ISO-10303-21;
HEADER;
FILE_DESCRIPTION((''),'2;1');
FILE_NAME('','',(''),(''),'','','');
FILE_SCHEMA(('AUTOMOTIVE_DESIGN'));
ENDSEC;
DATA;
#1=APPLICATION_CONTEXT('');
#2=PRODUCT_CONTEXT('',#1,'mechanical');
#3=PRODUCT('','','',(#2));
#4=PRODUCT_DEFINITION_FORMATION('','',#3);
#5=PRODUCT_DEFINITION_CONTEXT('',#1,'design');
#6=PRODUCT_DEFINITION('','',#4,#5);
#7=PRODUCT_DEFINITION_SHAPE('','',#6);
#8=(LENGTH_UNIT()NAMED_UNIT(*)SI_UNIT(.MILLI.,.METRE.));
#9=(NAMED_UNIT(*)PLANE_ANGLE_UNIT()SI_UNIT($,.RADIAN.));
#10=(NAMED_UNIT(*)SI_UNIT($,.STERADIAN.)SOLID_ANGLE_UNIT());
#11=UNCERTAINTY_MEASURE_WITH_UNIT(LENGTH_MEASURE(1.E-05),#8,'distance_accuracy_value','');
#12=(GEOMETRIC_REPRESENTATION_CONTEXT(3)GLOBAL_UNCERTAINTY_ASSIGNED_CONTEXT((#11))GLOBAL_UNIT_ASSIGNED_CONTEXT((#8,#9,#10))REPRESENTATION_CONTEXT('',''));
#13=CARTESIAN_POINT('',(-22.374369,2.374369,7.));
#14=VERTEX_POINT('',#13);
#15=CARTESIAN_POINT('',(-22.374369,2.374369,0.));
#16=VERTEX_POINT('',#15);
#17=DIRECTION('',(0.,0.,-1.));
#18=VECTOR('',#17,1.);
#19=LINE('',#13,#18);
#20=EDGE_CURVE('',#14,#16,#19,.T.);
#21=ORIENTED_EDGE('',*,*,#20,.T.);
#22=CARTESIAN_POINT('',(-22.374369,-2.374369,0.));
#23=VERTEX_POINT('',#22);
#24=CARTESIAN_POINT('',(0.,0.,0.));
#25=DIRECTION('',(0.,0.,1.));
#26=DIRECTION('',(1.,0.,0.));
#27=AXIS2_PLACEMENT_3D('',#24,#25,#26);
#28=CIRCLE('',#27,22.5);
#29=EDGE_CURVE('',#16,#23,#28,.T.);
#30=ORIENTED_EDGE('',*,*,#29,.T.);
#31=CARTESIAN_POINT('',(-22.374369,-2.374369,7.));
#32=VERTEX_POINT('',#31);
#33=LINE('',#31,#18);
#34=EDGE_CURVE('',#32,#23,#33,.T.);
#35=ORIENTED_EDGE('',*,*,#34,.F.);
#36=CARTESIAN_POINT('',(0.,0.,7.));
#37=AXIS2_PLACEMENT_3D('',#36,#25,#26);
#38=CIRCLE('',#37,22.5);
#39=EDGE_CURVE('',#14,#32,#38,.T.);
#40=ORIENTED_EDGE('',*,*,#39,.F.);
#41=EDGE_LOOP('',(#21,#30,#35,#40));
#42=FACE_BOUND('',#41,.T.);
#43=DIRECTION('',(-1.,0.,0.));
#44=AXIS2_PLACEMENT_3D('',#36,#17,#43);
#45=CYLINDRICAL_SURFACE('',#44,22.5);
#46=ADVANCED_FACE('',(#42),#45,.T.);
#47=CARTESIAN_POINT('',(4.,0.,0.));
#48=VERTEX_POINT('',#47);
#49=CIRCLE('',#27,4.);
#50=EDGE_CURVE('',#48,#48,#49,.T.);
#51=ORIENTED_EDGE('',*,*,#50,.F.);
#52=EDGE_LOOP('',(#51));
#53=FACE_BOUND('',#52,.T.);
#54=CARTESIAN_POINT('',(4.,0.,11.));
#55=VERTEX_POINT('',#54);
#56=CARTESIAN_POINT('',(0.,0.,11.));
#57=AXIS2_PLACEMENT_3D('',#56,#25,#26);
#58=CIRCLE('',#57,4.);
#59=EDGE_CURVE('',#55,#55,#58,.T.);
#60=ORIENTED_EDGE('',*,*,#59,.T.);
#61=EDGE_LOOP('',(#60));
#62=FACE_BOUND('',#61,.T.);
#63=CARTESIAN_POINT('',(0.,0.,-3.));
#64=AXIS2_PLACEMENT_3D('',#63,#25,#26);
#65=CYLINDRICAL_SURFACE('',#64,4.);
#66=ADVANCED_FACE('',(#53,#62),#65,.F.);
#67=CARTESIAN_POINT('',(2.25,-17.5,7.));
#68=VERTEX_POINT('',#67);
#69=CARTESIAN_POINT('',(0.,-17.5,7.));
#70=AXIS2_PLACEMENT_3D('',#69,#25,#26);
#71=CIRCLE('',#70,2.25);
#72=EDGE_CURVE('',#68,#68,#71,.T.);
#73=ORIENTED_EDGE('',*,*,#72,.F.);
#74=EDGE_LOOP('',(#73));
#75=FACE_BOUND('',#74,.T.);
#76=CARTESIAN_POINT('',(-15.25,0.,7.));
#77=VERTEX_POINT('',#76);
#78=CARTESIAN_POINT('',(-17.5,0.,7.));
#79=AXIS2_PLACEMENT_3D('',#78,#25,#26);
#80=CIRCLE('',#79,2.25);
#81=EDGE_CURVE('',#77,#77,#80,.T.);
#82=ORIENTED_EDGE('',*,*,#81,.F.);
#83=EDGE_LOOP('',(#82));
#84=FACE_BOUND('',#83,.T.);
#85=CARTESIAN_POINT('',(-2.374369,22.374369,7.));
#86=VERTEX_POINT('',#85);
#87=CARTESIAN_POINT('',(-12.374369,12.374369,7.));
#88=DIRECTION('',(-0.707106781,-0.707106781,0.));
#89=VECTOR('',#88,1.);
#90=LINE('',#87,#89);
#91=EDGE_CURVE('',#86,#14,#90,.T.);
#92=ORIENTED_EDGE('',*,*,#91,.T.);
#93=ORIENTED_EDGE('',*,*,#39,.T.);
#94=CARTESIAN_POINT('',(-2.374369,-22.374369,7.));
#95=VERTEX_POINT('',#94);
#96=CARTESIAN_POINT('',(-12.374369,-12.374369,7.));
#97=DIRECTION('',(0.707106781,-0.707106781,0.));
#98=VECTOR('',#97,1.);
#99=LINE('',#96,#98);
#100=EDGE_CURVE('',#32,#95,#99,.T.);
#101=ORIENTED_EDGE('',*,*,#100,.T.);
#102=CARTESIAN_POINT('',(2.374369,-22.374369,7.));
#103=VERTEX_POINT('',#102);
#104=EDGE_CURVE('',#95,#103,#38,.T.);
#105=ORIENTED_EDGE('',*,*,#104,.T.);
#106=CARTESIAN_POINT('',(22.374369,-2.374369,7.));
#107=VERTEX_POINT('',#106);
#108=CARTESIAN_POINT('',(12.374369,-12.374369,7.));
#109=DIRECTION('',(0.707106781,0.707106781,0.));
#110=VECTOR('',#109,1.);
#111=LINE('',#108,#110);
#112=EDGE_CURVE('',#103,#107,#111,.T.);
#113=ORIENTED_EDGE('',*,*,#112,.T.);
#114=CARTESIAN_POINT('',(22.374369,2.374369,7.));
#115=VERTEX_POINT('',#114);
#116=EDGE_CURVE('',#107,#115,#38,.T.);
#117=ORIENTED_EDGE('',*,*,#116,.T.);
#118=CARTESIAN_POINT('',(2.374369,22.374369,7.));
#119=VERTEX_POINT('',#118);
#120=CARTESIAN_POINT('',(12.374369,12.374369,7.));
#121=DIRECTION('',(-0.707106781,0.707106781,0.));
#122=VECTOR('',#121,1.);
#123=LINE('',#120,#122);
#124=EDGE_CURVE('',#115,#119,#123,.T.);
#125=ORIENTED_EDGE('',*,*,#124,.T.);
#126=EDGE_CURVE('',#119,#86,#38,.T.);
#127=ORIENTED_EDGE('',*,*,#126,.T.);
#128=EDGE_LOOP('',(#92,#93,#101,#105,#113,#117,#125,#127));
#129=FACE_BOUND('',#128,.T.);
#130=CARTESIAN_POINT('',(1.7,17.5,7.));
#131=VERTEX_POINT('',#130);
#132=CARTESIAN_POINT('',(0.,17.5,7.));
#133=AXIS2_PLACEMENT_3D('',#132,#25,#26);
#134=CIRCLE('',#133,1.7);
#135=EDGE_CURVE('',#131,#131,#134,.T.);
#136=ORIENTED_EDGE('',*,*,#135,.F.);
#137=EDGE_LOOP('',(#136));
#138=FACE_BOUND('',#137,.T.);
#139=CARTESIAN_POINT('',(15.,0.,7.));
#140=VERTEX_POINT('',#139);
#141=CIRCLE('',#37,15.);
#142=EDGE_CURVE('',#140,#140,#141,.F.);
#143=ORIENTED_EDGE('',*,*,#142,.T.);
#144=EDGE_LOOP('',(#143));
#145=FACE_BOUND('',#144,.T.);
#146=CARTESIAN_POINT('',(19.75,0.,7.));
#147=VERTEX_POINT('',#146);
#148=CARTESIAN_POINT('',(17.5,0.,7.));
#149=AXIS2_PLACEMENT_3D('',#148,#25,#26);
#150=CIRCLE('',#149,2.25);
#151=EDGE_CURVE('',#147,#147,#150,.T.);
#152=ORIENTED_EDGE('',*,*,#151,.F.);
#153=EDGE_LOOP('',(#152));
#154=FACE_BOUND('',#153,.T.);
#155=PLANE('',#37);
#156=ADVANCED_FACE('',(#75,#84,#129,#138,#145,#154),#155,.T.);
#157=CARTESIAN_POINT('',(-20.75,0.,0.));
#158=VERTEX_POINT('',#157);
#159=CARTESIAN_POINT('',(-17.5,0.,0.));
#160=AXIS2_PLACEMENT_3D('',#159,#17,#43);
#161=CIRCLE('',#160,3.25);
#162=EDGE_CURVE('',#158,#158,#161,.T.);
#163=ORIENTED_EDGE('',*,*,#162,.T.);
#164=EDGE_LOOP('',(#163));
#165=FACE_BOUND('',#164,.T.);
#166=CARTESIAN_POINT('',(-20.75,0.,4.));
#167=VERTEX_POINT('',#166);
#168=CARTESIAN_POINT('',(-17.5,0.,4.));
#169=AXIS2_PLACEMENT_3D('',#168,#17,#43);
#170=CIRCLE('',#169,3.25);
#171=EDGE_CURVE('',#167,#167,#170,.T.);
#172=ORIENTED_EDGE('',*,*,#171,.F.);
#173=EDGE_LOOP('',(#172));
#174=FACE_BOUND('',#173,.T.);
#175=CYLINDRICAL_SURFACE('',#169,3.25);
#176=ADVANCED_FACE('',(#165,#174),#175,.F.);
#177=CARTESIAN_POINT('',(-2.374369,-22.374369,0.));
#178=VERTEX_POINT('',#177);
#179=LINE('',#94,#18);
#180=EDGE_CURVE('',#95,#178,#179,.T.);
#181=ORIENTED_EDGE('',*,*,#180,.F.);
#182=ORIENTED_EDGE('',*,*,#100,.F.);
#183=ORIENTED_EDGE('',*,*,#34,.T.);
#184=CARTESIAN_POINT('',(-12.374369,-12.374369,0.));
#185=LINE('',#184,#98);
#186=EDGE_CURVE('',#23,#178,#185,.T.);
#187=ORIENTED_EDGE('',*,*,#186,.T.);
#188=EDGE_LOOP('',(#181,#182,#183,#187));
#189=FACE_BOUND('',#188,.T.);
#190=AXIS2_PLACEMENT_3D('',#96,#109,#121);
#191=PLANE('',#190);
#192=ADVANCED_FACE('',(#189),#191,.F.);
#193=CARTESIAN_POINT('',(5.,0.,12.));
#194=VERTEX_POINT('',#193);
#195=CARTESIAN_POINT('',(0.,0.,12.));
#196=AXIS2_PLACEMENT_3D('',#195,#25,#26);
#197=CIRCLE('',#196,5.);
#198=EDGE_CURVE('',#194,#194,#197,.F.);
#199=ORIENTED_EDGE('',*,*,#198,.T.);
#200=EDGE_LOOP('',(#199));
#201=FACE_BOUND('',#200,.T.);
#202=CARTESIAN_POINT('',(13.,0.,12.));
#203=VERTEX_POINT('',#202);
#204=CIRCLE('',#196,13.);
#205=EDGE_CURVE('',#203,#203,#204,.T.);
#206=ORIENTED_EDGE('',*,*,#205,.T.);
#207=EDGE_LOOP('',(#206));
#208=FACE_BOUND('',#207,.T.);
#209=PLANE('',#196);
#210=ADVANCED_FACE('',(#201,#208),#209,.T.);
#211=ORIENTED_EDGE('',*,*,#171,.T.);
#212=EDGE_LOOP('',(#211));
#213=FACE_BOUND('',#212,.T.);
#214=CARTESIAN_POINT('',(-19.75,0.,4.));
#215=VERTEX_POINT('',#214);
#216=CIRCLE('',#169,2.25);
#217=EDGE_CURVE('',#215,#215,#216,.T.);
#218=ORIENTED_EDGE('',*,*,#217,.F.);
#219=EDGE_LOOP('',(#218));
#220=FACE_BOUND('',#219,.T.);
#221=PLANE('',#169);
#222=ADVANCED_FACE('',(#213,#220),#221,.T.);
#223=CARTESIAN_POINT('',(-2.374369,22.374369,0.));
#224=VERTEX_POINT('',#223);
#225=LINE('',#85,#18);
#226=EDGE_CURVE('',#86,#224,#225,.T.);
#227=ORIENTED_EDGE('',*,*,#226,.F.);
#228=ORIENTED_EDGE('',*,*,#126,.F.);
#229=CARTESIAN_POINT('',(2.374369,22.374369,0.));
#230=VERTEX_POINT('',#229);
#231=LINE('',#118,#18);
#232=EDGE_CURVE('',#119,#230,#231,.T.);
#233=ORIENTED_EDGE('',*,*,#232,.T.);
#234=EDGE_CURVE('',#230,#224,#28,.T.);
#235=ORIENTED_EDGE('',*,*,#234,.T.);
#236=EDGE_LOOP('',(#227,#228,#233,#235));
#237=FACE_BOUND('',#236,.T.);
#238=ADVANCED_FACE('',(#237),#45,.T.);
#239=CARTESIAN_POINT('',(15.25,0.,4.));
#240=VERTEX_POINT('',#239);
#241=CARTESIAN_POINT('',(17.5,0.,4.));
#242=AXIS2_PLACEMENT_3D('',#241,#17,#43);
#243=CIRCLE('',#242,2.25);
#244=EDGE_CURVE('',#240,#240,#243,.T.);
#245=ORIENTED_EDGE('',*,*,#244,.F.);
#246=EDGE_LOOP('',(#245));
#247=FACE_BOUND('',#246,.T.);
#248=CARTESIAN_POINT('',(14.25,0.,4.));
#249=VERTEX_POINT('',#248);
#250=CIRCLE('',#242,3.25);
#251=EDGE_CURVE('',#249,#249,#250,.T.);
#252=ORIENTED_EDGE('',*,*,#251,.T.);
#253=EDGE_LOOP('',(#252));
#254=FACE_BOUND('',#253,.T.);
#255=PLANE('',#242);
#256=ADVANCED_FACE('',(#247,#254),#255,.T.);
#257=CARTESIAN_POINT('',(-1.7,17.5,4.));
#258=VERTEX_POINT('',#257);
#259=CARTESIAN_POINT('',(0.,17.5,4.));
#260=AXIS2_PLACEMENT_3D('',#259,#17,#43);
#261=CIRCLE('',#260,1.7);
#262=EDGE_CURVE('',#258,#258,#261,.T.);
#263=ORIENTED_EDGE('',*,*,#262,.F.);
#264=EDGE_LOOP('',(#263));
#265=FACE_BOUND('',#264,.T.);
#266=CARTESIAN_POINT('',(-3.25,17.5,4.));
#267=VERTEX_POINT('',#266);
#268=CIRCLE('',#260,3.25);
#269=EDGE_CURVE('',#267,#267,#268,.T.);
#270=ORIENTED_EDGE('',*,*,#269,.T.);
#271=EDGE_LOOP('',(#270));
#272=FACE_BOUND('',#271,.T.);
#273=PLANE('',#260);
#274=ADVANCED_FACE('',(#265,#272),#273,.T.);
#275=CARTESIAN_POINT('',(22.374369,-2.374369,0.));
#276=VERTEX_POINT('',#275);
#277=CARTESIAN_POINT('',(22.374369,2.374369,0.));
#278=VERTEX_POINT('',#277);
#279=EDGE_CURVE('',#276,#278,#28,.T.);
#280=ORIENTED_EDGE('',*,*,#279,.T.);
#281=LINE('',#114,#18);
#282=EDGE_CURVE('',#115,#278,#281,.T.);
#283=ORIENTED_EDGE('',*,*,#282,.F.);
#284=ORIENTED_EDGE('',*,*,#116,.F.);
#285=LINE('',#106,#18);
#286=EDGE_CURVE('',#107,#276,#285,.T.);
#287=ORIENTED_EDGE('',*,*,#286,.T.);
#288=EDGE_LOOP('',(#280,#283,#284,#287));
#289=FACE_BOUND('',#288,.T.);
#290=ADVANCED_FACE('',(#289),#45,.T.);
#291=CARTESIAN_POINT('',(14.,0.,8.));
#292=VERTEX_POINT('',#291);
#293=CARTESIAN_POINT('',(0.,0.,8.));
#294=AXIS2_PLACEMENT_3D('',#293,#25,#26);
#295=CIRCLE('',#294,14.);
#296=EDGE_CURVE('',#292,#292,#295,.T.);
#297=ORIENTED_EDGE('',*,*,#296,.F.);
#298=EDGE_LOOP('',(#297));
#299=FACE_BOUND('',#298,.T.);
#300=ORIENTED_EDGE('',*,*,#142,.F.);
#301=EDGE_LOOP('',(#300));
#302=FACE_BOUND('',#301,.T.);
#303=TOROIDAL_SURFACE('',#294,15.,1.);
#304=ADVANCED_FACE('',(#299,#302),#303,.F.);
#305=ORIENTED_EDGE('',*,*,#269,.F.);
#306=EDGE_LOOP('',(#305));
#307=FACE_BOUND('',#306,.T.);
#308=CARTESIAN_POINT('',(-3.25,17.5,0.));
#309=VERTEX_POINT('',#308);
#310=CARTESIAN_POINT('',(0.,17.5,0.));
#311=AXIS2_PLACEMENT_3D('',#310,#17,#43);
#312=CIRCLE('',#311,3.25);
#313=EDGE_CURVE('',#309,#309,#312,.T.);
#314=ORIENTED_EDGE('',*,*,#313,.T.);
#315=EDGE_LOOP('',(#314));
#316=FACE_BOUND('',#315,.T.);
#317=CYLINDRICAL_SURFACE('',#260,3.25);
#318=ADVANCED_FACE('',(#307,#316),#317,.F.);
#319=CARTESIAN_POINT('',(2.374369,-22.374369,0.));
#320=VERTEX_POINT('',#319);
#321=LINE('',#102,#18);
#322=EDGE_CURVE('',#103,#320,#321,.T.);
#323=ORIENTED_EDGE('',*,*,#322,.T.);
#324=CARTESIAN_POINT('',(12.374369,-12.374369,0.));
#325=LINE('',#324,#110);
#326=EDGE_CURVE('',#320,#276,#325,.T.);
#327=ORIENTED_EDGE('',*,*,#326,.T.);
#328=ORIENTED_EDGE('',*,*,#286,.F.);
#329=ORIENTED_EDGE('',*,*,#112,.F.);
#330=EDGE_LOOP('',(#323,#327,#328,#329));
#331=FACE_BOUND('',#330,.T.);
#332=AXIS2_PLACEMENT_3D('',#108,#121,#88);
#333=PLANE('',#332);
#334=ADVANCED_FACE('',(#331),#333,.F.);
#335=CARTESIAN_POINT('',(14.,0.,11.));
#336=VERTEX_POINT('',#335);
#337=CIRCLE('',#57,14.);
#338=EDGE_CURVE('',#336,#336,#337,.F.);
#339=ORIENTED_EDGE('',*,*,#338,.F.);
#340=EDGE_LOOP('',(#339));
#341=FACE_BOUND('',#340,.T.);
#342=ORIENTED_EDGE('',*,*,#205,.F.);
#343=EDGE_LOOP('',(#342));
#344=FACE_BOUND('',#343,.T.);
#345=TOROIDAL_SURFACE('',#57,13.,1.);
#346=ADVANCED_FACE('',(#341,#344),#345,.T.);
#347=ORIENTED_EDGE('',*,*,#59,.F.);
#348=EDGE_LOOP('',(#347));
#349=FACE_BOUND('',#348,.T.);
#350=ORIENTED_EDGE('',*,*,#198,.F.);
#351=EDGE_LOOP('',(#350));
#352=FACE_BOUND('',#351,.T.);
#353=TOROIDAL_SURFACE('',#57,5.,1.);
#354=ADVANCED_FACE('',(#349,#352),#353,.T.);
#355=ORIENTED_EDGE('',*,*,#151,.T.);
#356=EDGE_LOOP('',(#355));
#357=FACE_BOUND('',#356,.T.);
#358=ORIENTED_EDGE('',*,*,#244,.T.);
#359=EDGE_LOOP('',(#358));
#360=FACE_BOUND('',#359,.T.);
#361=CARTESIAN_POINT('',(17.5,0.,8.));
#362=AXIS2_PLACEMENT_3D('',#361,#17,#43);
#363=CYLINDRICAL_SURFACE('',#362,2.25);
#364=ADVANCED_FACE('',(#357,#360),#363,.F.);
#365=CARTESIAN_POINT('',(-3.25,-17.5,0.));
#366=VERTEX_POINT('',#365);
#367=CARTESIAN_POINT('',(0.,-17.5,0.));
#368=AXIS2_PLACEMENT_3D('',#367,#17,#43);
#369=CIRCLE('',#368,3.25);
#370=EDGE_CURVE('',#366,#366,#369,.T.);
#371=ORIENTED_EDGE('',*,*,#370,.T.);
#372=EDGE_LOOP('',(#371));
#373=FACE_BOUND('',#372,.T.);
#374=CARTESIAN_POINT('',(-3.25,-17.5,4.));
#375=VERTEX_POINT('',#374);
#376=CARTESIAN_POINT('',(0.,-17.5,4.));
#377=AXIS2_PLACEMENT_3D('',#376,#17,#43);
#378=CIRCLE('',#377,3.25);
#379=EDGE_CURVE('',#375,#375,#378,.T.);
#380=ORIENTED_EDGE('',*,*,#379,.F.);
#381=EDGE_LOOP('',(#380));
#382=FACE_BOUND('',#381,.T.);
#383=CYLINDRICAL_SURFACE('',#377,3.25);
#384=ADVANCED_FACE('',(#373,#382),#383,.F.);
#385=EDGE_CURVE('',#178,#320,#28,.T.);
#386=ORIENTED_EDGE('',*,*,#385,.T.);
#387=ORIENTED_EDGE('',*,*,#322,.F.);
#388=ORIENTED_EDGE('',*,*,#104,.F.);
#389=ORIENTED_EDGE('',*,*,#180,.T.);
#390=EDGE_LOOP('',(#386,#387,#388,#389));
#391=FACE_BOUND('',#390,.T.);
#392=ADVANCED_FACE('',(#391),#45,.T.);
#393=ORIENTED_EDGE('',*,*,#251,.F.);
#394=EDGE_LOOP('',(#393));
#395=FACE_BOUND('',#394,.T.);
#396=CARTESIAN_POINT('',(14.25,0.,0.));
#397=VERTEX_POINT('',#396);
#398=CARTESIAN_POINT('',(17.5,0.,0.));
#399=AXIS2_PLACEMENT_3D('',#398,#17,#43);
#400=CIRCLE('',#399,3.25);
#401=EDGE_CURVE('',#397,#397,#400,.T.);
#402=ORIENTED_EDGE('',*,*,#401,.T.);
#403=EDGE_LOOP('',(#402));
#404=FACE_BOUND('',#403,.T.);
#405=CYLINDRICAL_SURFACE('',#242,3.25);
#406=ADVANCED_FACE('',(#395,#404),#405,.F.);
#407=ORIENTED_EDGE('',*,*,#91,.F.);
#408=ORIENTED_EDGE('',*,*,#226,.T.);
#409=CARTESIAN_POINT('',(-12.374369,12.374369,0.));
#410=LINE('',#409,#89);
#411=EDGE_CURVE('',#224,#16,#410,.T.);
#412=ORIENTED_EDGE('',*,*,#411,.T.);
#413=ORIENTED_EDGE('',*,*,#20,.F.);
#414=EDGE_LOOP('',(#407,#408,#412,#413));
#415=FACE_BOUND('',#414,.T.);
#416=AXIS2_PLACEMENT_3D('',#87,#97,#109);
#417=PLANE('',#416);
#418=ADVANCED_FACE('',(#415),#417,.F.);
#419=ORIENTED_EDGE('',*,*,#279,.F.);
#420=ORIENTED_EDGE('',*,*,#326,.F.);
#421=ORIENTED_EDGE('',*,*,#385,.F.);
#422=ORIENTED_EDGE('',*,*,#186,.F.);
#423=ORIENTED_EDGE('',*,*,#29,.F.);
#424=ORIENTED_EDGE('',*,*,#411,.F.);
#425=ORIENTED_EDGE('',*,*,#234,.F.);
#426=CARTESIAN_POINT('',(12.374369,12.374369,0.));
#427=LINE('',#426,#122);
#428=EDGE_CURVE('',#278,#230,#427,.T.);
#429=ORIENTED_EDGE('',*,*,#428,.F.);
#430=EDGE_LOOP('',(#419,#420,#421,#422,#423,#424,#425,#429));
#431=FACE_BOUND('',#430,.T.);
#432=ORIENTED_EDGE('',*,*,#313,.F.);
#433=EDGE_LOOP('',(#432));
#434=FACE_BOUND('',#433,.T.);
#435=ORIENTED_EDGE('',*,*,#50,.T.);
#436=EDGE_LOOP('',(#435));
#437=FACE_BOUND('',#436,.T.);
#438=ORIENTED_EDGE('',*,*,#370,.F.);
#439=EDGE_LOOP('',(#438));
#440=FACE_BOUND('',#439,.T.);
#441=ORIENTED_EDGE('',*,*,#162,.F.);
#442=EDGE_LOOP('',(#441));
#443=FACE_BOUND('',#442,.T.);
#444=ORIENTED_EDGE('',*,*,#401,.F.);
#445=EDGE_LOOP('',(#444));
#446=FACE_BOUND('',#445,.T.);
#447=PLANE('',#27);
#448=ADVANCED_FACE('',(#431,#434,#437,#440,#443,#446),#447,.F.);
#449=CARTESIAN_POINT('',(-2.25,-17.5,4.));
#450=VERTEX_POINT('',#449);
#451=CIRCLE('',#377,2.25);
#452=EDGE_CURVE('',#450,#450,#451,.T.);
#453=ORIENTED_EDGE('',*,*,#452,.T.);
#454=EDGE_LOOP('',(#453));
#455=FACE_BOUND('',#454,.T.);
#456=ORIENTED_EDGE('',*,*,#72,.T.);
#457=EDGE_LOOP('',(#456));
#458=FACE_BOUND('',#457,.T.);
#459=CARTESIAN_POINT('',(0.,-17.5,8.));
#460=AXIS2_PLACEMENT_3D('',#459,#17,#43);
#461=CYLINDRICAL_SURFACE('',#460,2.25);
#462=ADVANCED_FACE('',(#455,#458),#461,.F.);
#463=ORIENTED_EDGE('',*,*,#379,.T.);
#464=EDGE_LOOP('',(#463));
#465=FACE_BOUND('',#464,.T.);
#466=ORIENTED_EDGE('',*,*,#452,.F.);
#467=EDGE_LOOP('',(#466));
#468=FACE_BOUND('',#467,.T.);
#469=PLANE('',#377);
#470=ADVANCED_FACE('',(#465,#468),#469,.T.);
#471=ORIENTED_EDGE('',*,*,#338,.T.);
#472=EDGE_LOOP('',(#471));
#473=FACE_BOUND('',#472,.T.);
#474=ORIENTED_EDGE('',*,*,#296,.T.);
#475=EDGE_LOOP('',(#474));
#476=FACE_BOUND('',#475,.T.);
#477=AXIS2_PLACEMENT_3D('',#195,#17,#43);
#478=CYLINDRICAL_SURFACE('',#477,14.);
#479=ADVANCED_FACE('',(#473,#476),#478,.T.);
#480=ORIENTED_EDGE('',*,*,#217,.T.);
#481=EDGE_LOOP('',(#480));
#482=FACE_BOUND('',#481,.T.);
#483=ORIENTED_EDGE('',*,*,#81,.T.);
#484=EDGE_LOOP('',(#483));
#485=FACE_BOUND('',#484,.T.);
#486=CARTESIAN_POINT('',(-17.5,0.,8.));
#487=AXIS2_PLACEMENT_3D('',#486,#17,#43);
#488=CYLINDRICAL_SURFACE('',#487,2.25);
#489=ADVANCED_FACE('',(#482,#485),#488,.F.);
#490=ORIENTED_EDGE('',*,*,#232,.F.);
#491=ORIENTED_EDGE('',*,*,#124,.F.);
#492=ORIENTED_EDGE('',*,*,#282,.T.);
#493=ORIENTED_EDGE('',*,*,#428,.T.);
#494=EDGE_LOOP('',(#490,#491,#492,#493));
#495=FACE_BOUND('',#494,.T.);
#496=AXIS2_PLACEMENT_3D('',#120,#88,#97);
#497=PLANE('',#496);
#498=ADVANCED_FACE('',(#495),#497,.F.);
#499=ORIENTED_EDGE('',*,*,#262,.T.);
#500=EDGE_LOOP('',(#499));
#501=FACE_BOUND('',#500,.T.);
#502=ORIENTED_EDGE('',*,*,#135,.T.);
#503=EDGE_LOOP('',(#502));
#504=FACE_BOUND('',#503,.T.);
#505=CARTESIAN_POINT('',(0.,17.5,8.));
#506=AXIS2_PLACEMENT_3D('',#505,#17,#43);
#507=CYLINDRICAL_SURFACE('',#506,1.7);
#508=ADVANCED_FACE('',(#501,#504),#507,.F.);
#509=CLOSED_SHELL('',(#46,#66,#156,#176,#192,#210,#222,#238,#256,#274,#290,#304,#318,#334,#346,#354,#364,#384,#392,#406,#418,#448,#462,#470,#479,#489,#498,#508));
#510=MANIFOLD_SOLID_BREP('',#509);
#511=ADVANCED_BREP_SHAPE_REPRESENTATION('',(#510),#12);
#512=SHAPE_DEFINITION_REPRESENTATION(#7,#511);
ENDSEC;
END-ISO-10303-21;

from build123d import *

# Parameters (mm, degrees)
BOSS_EXTRUDE1_DEPTH = 7
SKETCH2_R           = 3.25
CUT_EXTRUDE1_DEPTH  = 4
SKETCH3_R           = 1.7
SKETCH3_R_2         = 2.25
CUT_EXTRUDE2_DEPTH  = 4
SKETCH4_R           = 14
BOSS_EXTRUDE2_DEPTH = 5
SKETCH5_R           = 4
CUT_EXTRUDE3_DEPTH  = 15
FILLET3_R           = 1


with BuildPart() as part:
    # Sketch1 → Boss-Extrude1 (new body)
    with BuildSketch(Plane.XY):
        with BuildLine():
            Line((-12.374368671, -12.374368671), (-22.374368671, -2.374368671))
            ThreePointArc((-22.374368671, -2.374368671), (-22.5, 0), (-22.374368671, 2.374368671))
            Line((-22.374368671, 2.374368671), (-12.374368671, 12.374368671))
            Line((-12.374368671, 12.374368671), (-2.374368671, 22.374368671))
            ThreePointArc((-2.374368671, 22.374368671), (0, 22.5), (2.374368671, 22.374368671))
            Line((2.374368671, 22.374368671), (12.374368671, 12.374368671))
            Line((12.374368671, 12.374368671), (22.374368671, 2.374368671))
            ThreePointArc((22.374368671, 2.374368671), (22.5, 0), (22.374368671, -2.374368671))
            Line((22.374368671, -2.374368671), (12.374368671, -12.374368671))
            Line((12.374368671, -12.374368671), (2.374368671, -22.374368671))
            ThreePointArc((2.374368671, -22.374368671), (0, -22.5), (-2.374368671, -22.374368671))
            Line((-2.374368671, -22.374368671), (-12.374368671, -12.374368671))
        make_face()
    extrude(amount=BOSS_EXTRUDE1_DEPTH)

    # Sketch2 → Cut-Extrude1 (cut)
    with BuildSketch(Plane(origin=(0, 0, 0), x_dir=(-1, 0, 0), z_dir=(0, 0, -1))):
        with Locations((0, 17.5)):
            Circle(SKETCH2_R)
        with Locations((-17.5, 0)):
            Circle(SKETCH2_R)
        with Locations((0, -17.5)):
            Circle(SKETCH2_R)
        with Locations((17.5, 0)):
            Circle(SKETCH2_R)
    extrude(amount=-CUT_EXTRUDE1_DEPTH, mode=Mode.SUBTRACT)

    # Sketch3 → Cut-Extrude2 (cut)
    with BuildSketch(Plane(origin=(0, 0, 4), x_dir=(-1, 0, 0), z_dir=(0, 0, -1))):
        with Locations((0, 17.5)):
            Circle(SKETCH3_R)
        with Locations((-17.5, 0)):
            Circle(SKETCH3_R_2)
        with Locations((17.5, 0)):
            Circle(SKETCH3_R_2)
        with Locations((0, -17.5)):
            Circle(SKETCH3_R_2)
    extrude(amount=-CUT_EXTRUDE2_DEPTH, mode=Mode.SUBTRACT)

    # Sketch4 → Boss-Extrude2 (add)
    with BuildSketch(Plane.XY.offset(7)):
        Circle(SKETCH4_R)
    extrude(amount=BOSS_EXTRUDE2_DEPTH)

    # Sketch5 → Cut-Extrude3 (cut)
    with BuildSketch(Plane.XY.offset(12)):
        Circle(SKETCH5_R)
    extrude(amount=-CUT_EXTRUDE3_DEPTH, mode=Mode.SUBTRACT)

    # Fillet3
    fillet3_edges = [part.edges().sort_by_distance(p)[0] for p in [
        (-14, 0, 7),
        (-14, 0, 12),
        (-4, 0, 12),
    ]]
    fillet(fillet3_edges, radius=FILLET3_R)


solid = part.part
